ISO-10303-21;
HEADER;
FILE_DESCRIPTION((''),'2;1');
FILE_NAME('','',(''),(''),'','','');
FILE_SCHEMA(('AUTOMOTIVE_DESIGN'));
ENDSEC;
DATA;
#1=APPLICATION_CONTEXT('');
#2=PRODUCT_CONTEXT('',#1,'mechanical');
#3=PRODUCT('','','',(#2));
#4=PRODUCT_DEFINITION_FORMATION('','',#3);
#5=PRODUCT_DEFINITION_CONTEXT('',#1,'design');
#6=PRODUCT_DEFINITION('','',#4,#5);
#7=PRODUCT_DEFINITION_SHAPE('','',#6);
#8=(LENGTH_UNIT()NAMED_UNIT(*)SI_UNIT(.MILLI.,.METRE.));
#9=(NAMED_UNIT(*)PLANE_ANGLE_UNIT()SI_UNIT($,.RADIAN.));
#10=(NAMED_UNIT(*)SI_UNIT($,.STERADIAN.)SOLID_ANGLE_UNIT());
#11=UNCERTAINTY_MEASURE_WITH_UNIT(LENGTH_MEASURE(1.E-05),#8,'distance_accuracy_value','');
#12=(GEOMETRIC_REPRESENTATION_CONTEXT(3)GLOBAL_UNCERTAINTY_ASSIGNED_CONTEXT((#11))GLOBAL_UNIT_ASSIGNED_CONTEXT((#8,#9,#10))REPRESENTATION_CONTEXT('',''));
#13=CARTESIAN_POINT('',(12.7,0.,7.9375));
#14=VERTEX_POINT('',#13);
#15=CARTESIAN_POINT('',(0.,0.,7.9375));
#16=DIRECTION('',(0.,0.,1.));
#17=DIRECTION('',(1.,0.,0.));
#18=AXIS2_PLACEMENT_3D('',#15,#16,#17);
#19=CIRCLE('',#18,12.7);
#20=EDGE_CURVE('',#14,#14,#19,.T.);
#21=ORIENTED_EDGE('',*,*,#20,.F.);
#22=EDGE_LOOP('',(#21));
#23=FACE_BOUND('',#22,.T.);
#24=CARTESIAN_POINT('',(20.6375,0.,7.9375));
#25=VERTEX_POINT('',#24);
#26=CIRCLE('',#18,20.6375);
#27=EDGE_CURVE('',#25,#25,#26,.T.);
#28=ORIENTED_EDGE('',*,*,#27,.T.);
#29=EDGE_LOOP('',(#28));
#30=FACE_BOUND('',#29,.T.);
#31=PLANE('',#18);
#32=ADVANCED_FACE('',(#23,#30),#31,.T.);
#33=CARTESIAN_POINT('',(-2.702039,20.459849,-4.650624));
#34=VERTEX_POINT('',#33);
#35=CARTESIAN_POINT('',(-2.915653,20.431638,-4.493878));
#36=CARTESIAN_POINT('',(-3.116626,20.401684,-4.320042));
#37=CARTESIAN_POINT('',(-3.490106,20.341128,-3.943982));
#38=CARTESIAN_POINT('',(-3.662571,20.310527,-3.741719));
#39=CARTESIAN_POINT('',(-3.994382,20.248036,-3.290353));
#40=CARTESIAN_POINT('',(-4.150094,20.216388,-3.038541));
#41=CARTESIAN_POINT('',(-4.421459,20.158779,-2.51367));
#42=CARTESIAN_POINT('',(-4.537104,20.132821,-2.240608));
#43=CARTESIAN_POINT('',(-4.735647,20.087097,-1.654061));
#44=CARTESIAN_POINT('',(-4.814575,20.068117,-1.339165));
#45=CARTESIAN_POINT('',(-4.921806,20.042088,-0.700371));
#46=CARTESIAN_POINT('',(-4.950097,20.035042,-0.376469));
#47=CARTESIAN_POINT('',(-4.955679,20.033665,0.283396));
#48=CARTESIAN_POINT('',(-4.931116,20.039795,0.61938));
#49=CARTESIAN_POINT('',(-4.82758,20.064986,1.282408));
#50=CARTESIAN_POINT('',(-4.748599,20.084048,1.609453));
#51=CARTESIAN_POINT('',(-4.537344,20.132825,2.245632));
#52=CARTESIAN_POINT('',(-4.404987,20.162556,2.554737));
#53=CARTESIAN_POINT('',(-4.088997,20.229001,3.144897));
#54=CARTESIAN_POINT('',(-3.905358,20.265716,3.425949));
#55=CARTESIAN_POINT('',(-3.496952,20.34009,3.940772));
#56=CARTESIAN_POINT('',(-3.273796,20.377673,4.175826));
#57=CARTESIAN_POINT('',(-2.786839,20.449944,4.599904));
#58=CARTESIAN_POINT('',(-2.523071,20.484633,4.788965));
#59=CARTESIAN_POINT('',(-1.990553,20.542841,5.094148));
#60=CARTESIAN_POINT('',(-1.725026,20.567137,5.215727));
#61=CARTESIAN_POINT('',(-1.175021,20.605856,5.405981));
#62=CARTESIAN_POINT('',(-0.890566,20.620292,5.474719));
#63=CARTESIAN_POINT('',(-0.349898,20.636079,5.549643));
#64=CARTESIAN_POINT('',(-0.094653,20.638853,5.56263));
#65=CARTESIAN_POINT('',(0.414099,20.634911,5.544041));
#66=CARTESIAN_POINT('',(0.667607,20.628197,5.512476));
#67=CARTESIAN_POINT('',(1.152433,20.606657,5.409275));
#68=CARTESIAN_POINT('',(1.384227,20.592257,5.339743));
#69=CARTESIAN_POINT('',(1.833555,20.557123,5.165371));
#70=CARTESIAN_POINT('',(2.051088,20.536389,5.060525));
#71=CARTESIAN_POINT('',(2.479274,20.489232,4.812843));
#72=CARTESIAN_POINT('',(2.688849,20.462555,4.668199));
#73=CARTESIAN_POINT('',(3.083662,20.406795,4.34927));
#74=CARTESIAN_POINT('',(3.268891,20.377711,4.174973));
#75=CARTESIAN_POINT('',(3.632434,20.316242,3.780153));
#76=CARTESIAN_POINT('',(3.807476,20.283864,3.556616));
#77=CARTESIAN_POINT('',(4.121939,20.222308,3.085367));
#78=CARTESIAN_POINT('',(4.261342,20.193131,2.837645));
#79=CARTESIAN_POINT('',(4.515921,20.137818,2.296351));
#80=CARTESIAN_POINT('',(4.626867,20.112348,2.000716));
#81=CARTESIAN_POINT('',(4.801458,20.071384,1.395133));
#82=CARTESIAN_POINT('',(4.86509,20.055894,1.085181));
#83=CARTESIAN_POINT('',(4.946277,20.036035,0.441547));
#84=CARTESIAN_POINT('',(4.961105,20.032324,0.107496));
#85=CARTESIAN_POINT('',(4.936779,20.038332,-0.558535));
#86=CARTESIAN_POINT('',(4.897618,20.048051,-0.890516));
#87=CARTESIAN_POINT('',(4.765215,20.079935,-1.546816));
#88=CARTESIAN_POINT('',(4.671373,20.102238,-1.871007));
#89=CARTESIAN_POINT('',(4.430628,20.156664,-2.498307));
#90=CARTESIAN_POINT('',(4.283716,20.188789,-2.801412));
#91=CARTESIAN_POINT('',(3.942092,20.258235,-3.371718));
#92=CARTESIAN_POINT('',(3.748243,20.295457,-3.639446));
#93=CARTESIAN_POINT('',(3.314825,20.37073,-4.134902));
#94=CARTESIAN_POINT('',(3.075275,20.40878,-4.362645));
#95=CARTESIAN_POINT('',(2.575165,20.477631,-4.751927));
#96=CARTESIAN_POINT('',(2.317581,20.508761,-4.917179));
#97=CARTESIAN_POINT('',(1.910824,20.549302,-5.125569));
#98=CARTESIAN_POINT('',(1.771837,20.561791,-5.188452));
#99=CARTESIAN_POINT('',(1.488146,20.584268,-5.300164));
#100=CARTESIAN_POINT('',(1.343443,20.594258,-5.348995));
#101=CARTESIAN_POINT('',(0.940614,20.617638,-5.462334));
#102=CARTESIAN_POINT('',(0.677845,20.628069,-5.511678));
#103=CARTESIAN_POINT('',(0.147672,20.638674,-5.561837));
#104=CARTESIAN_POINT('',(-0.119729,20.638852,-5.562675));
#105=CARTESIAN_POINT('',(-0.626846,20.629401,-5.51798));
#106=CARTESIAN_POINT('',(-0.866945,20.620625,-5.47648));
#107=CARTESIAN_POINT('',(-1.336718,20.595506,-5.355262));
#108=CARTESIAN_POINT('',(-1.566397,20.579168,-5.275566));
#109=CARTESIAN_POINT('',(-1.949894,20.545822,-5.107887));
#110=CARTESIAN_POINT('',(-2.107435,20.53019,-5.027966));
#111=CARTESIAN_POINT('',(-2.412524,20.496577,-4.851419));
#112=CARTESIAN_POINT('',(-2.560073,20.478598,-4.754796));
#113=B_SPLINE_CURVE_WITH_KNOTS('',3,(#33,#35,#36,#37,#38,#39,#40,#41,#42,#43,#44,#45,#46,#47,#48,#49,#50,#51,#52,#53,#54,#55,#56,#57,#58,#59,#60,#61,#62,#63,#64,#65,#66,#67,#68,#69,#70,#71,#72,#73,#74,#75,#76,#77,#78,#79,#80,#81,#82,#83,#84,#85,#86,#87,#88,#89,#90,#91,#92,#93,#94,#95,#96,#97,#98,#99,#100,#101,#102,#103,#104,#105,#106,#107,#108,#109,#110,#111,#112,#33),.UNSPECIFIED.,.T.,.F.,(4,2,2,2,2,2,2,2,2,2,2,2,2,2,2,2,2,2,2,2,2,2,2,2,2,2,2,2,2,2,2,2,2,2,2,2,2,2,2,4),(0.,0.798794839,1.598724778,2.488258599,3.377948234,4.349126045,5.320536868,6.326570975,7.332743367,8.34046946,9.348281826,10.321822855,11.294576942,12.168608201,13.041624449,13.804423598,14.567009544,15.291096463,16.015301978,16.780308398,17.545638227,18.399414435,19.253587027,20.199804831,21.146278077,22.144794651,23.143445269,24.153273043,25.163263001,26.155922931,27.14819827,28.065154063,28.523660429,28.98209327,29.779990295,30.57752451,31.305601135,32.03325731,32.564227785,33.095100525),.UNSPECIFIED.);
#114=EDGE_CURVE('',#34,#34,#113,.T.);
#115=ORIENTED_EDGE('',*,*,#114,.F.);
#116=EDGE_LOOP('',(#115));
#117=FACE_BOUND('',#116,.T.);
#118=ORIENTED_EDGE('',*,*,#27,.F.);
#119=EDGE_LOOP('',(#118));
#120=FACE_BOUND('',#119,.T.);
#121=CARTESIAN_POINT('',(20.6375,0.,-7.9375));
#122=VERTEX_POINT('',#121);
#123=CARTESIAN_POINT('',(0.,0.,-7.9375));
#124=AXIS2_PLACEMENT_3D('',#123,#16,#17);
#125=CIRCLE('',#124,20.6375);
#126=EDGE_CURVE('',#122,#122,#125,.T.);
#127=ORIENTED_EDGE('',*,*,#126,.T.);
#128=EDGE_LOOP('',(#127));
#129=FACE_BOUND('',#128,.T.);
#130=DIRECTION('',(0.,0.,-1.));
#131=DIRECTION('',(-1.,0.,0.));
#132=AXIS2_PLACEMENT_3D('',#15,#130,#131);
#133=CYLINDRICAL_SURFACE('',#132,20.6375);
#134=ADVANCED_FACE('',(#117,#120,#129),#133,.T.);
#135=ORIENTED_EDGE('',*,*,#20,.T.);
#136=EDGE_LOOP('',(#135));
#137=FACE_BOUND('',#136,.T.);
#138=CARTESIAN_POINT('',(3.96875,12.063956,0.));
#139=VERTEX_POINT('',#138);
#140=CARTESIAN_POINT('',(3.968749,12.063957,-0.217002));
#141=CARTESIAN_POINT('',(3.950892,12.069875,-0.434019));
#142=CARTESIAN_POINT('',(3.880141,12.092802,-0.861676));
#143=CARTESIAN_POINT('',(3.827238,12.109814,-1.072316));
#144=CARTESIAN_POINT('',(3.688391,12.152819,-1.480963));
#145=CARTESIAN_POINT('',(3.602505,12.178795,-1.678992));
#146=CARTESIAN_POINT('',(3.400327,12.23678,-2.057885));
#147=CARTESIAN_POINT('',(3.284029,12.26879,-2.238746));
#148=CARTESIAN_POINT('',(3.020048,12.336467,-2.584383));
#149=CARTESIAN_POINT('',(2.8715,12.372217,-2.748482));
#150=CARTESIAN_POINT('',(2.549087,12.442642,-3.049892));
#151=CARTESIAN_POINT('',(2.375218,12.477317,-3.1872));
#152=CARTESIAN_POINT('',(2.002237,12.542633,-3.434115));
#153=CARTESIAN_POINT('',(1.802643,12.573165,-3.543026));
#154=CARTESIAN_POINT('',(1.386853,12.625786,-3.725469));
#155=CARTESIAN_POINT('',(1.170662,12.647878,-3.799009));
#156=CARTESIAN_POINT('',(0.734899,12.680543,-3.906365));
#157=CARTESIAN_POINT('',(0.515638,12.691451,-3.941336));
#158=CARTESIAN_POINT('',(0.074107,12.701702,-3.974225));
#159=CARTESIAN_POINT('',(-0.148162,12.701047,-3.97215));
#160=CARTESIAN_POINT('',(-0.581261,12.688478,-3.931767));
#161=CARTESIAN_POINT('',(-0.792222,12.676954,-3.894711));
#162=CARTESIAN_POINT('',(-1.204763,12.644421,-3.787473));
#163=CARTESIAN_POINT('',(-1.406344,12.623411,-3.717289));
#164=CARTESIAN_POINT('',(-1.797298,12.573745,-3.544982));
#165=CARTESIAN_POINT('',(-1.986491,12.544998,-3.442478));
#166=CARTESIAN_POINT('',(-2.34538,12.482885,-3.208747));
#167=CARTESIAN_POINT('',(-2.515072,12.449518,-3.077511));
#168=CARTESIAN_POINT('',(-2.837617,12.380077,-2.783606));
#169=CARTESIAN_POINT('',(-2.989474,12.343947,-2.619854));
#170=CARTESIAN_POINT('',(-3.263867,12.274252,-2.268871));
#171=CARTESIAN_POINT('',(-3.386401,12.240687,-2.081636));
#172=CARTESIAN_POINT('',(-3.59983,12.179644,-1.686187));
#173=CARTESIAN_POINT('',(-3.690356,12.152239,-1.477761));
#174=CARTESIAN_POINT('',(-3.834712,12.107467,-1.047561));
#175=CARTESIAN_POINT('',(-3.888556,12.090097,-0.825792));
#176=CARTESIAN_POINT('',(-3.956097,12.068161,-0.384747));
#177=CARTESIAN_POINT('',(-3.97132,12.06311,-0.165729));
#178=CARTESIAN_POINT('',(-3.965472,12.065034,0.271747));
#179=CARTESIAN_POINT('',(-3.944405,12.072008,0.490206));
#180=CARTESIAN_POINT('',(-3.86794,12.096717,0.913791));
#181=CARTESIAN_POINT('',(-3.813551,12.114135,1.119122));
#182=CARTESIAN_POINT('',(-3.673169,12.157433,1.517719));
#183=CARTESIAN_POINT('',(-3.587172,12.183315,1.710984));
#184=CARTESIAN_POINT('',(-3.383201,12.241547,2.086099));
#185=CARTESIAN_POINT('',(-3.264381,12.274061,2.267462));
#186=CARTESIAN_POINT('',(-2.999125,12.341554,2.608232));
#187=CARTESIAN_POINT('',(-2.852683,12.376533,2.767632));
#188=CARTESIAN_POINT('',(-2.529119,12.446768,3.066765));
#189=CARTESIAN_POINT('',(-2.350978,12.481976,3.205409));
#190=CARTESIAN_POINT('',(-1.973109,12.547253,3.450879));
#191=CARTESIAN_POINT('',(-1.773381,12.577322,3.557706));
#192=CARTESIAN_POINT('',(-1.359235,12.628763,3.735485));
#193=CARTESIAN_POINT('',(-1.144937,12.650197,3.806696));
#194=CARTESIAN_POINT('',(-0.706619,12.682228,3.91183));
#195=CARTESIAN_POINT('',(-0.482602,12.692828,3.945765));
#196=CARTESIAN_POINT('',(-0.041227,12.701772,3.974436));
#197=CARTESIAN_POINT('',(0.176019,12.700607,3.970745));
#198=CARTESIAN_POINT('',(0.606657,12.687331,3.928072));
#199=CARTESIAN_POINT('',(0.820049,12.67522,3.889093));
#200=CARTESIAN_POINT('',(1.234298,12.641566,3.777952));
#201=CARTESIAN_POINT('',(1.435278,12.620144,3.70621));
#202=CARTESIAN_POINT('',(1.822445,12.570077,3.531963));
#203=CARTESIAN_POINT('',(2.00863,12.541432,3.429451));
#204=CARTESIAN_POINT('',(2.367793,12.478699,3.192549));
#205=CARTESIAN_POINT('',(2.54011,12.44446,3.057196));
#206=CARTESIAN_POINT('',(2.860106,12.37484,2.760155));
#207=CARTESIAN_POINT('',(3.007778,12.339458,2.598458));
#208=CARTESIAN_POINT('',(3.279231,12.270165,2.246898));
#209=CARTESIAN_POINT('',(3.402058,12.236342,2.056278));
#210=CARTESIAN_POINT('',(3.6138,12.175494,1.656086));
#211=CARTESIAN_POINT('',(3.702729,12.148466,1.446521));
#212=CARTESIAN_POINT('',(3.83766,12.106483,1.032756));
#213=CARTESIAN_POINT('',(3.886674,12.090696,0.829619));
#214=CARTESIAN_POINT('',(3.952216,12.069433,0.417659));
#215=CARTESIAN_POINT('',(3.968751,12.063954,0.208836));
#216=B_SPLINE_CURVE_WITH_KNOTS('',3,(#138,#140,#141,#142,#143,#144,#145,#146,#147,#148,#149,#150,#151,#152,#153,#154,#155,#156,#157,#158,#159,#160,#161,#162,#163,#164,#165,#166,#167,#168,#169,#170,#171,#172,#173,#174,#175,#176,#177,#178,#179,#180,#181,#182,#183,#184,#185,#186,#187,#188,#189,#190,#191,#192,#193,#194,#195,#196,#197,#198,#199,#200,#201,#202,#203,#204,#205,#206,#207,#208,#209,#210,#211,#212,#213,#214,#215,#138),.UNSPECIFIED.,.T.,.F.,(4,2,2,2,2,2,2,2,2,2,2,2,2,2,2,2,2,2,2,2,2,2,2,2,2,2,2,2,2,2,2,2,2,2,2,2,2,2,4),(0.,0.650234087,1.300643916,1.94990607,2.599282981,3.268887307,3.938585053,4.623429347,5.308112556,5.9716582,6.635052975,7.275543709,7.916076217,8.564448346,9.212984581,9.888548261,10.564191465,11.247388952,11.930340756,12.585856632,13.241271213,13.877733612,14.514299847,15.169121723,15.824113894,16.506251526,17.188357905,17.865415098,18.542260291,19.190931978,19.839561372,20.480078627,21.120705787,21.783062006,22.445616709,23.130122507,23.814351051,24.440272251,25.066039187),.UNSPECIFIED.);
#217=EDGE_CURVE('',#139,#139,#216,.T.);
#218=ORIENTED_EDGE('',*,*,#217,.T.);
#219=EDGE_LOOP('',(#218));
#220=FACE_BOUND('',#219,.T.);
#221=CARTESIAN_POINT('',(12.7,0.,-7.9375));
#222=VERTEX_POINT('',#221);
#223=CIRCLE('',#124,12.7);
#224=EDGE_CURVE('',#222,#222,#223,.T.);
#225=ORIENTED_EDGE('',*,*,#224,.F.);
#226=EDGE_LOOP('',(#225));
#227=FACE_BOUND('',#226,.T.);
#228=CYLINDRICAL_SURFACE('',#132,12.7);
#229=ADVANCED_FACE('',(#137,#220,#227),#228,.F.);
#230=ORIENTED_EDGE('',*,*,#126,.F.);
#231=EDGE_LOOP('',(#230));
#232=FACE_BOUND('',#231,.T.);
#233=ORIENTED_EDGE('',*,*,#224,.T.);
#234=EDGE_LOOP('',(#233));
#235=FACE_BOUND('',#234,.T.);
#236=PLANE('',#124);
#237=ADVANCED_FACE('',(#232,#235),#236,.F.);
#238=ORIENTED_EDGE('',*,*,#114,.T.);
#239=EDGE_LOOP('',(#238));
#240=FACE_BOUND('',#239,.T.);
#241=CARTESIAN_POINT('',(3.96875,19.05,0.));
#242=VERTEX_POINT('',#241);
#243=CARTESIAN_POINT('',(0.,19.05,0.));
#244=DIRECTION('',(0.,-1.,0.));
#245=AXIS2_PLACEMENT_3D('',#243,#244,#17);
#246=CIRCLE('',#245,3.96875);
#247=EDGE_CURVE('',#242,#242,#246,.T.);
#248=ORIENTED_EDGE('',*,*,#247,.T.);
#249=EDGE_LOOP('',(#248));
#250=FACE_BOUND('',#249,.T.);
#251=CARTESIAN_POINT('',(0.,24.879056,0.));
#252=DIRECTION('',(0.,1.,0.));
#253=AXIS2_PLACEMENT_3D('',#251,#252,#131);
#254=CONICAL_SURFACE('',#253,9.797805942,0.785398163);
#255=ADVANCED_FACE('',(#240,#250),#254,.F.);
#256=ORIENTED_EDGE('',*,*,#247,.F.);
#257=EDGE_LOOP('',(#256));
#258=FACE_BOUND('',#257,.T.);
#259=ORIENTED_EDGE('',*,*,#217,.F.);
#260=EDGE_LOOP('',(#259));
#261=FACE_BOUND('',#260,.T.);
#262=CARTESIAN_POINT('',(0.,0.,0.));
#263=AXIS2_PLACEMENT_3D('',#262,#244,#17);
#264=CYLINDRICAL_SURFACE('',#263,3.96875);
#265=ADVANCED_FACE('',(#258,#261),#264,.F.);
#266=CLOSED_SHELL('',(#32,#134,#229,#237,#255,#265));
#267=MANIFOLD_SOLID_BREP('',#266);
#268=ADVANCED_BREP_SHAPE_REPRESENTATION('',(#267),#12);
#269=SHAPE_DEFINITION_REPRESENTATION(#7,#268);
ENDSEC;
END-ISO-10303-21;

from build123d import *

# Parameters (mm, degrees)
SKETCH1_R           = 20.6375
SKETCH1_R_2         = 12.7
BOSS_EXTRUDE1_DEPTH = 7.9375


with BuildPart() as part:
    # Sketch1 → Boss-Extrude1 (new, symmetric)
    with BuildSketch(Plane.XY):
        Circle(SKETCH1_R)
        Circle(SKETCH1_R_2, mode=Mode.SUBTRACT)
    extrude(amount=BOSS_EXTRUDE1_DEPTH, both=True)

    # Sketch3 → Cut-Revolve1 (revolve, cut)
    with BuildSketch(Plane.XY, mode=Mode.PRIVATE) as cut_revolve1_sk:
        Polygon((0, 0), (0, 24.879055942), (-9.797805942, 24.879055942), (-3.96875, 19.05), (-3.96875, 0), align=None)
    revolve(cut_revolve1_sk.sketch.rotate(Axis((0, 0, 0), (0, 1, 0)), 300.156831564), axis=Axis((0, 0, 0), (0, 1, 0)), mode=Mode.SUBTRACT)


solid = part.part
